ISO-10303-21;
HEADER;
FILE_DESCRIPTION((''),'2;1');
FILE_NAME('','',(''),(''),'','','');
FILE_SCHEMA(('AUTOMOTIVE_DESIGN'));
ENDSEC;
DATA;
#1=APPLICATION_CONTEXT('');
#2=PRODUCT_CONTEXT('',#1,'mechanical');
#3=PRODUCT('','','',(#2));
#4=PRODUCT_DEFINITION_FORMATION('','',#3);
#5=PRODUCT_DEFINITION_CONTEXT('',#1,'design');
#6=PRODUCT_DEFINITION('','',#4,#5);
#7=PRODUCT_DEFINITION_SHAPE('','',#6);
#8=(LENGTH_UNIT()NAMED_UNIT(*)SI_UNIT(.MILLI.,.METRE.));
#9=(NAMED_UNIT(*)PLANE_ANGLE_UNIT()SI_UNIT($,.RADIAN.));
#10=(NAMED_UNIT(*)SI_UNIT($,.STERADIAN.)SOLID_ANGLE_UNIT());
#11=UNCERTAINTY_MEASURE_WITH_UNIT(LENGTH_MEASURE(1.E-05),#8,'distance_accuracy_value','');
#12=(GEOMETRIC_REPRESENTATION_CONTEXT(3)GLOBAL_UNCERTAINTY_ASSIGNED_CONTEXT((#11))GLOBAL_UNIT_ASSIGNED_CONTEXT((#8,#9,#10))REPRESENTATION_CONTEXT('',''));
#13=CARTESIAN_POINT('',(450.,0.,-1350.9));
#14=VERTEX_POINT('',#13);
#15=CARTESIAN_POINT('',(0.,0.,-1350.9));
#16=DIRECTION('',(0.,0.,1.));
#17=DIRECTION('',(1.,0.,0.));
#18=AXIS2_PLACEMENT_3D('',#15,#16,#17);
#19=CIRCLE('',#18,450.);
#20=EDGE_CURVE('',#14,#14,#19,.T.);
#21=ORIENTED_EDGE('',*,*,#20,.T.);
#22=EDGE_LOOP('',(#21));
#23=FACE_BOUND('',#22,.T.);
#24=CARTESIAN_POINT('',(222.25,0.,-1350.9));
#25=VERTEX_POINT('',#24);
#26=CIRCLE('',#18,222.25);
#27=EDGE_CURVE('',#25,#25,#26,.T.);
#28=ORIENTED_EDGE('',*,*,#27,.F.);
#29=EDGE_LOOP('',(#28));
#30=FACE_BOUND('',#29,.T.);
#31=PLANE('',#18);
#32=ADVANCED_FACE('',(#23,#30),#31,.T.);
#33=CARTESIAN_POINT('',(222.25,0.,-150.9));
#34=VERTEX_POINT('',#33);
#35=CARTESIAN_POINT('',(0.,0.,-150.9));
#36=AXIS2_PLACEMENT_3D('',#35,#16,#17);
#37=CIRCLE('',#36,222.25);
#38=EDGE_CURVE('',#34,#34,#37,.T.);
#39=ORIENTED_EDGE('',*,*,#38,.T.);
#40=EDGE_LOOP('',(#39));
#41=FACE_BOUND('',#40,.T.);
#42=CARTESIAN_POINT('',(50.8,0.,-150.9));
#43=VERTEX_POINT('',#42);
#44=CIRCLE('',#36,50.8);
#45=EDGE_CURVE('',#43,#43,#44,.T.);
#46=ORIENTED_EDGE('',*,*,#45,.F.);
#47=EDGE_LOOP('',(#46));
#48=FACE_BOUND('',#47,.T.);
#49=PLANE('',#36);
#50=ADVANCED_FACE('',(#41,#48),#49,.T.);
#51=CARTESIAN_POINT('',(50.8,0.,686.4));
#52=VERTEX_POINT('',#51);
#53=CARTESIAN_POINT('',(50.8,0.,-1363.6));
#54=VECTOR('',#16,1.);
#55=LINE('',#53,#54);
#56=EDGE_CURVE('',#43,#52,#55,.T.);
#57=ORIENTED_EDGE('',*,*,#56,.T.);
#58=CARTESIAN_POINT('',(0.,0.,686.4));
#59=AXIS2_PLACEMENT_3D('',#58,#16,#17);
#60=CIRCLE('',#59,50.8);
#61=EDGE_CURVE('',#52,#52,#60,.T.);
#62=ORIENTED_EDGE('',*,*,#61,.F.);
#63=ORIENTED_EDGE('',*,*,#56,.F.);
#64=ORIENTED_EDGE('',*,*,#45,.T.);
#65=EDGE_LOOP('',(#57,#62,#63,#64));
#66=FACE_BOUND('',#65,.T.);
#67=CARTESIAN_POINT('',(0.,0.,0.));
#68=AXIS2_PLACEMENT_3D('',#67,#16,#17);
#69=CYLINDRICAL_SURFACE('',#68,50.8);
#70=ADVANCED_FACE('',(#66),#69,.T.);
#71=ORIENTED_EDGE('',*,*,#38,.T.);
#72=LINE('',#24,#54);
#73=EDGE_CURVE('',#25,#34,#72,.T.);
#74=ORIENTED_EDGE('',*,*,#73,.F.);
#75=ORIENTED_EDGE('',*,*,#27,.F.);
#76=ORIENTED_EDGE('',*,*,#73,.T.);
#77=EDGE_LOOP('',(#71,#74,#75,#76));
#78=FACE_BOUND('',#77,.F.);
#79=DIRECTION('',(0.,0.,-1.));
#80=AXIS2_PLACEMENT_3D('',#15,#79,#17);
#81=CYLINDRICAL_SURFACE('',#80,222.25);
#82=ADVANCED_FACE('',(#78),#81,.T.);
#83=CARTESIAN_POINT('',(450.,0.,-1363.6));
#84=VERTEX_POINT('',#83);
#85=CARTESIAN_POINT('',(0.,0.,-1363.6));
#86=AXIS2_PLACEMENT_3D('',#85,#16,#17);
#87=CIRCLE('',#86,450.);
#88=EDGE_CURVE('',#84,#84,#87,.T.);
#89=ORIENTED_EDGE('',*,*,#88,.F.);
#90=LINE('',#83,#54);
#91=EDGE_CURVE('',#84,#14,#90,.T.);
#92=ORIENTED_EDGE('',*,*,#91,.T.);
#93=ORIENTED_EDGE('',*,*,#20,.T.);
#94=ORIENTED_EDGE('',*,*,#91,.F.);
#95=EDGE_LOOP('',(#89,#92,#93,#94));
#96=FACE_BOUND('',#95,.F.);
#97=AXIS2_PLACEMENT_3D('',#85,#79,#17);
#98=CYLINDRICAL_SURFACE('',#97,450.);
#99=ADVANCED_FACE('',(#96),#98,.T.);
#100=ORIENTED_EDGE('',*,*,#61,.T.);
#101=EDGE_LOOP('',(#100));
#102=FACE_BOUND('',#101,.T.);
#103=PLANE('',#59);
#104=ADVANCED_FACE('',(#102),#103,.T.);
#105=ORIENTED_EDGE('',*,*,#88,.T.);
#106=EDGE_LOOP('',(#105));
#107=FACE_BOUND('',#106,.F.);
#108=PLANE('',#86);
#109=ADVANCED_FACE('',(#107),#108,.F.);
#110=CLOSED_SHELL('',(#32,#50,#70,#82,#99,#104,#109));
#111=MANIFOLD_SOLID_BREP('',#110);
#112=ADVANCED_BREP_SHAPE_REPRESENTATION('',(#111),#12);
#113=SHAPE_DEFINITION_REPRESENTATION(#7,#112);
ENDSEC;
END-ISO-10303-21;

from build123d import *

# Parameters (mm, degrees)
SKETCH1_R                = 50.8
BOSS_EXTRUDE1_DEPTH      = 686.4
BOSS_EXTRUDE1_DEPTH_BACK = 1363.6
SKETCH2_R                = 450
BOSS_EXTRUDE2_DEPTH      = 12.7
SKETCH3_R                = 222.25
BOSS_EXTRUDE3_DEPTH      = 1200


with BuildPart() as part:
    # Sketch1 → Boss-Extrude1 (new body, two sides)
    with BuildSketch(Plane.XY) as boss_extrude1_sk:
        Circle(SKETCH1_R)
    extrude(amount=BOSS_EXTRUDE1_DEPTH)
    extrude(boss_extrude1_sk.sketch, amount=-BOSS_EXTRUDE1_DEPTH_BACK)

    # Sketch2 → Boss-Extrude2 (add)
    with BuildSketch(Plane.XY.offset(-1363.6)):
        Circle(SKETCH2_R)
    extrude(amount=BOSS_EXTRUDE2_DEPTH)

    # Sketch3 → Boss-Extrude3 (add)
    with BuildSketch(Plane.XY.offset(-1350.9)):
        Circle(SKETCH3_R)
    extrude(amount=BOSS_EXTRUDE3_DEPTH)


solid = part.part
